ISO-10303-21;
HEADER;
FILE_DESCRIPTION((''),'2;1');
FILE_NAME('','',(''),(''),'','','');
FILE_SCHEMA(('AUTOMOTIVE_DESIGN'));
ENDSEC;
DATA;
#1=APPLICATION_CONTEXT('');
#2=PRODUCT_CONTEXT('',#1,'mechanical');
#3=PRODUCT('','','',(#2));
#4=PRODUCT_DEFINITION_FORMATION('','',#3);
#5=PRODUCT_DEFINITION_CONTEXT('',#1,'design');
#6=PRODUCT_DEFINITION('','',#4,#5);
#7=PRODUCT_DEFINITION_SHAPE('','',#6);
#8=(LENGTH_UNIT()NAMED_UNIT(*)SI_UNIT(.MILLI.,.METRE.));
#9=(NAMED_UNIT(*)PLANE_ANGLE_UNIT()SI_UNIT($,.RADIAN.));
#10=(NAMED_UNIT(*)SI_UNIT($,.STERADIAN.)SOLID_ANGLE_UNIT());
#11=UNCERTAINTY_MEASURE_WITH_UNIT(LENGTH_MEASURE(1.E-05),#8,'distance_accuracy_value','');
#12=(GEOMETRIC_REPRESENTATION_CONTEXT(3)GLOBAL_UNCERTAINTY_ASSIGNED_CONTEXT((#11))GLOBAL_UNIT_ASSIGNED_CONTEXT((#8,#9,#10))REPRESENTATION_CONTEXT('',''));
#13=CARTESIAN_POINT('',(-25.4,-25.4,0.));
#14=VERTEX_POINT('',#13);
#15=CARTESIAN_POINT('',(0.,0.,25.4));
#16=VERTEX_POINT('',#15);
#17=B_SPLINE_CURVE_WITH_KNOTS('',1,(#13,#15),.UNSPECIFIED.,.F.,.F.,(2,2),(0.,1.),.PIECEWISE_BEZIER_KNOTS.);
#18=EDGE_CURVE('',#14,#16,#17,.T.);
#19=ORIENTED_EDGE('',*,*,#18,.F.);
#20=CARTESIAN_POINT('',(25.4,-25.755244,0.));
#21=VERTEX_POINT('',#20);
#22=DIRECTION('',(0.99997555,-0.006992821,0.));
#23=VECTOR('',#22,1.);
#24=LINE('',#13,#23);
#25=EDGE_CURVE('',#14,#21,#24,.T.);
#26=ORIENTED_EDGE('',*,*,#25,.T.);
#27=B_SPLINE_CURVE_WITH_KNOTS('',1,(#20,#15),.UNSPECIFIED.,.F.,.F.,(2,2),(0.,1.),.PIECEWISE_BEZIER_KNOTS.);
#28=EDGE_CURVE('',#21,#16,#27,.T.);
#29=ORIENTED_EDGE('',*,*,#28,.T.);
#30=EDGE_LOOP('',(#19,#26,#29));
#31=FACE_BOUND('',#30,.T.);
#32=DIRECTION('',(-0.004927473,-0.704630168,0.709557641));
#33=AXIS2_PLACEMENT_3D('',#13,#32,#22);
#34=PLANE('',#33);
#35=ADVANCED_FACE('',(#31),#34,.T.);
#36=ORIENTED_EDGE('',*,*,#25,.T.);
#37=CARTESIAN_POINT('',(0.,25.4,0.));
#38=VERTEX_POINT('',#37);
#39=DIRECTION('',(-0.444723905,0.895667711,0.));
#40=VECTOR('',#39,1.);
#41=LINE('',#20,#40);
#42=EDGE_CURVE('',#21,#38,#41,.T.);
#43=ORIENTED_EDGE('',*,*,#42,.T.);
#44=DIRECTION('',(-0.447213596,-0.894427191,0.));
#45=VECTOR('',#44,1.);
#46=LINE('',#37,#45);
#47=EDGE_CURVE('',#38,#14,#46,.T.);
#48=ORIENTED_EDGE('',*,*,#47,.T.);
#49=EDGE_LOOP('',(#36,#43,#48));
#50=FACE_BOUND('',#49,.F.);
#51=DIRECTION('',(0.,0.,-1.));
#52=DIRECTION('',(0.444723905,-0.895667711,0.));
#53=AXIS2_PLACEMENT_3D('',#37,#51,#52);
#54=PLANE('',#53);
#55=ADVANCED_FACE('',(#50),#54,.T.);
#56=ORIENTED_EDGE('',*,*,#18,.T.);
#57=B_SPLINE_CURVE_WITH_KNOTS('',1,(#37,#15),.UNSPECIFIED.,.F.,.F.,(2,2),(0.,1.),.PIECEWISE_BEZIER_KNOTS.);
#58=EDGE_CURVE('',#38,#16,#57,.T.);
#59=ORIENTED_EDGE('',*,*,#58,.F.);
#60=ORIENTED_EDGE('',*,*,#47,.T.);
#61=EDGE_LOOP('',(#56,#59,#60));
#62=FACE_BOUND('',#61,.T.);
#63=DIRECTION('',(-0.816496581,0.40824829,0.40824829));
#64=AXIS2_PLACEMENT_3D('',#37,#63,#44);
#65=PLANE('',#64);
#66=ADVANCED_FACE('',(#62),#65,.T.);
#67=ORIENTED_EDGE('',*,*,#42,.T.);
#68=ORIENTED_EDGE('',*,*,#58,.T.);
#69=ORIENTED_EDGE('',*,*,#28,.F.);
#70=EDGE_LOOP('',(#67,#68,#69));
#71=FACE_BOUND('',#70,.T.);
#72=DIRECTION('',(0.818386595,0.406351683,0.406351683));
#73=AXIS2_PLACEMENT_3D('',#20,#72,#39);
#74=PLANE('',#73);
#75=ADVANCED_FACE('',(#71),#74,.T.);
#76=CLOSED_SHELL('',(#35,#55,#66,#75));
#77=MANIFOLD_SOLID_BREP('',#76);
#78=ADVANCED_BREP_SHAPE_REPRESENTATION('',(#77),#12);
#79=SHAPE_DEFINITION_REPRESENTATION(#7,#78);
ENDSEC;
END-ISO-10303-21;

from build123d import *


with BuildPart() as f2:
    # F0 (on Top) → F2 section 0
    with BuildSketch(Plane.XY, mode=Mode.PRIVATE) as f2_s0:
        Polygon((0, 25.4), (-25.4, -25.4), (25.4, -25.755244), align=None)
    loft([f2_s0.sketch, Vertex(0, 0, 25.4)])


solid = f2.part
